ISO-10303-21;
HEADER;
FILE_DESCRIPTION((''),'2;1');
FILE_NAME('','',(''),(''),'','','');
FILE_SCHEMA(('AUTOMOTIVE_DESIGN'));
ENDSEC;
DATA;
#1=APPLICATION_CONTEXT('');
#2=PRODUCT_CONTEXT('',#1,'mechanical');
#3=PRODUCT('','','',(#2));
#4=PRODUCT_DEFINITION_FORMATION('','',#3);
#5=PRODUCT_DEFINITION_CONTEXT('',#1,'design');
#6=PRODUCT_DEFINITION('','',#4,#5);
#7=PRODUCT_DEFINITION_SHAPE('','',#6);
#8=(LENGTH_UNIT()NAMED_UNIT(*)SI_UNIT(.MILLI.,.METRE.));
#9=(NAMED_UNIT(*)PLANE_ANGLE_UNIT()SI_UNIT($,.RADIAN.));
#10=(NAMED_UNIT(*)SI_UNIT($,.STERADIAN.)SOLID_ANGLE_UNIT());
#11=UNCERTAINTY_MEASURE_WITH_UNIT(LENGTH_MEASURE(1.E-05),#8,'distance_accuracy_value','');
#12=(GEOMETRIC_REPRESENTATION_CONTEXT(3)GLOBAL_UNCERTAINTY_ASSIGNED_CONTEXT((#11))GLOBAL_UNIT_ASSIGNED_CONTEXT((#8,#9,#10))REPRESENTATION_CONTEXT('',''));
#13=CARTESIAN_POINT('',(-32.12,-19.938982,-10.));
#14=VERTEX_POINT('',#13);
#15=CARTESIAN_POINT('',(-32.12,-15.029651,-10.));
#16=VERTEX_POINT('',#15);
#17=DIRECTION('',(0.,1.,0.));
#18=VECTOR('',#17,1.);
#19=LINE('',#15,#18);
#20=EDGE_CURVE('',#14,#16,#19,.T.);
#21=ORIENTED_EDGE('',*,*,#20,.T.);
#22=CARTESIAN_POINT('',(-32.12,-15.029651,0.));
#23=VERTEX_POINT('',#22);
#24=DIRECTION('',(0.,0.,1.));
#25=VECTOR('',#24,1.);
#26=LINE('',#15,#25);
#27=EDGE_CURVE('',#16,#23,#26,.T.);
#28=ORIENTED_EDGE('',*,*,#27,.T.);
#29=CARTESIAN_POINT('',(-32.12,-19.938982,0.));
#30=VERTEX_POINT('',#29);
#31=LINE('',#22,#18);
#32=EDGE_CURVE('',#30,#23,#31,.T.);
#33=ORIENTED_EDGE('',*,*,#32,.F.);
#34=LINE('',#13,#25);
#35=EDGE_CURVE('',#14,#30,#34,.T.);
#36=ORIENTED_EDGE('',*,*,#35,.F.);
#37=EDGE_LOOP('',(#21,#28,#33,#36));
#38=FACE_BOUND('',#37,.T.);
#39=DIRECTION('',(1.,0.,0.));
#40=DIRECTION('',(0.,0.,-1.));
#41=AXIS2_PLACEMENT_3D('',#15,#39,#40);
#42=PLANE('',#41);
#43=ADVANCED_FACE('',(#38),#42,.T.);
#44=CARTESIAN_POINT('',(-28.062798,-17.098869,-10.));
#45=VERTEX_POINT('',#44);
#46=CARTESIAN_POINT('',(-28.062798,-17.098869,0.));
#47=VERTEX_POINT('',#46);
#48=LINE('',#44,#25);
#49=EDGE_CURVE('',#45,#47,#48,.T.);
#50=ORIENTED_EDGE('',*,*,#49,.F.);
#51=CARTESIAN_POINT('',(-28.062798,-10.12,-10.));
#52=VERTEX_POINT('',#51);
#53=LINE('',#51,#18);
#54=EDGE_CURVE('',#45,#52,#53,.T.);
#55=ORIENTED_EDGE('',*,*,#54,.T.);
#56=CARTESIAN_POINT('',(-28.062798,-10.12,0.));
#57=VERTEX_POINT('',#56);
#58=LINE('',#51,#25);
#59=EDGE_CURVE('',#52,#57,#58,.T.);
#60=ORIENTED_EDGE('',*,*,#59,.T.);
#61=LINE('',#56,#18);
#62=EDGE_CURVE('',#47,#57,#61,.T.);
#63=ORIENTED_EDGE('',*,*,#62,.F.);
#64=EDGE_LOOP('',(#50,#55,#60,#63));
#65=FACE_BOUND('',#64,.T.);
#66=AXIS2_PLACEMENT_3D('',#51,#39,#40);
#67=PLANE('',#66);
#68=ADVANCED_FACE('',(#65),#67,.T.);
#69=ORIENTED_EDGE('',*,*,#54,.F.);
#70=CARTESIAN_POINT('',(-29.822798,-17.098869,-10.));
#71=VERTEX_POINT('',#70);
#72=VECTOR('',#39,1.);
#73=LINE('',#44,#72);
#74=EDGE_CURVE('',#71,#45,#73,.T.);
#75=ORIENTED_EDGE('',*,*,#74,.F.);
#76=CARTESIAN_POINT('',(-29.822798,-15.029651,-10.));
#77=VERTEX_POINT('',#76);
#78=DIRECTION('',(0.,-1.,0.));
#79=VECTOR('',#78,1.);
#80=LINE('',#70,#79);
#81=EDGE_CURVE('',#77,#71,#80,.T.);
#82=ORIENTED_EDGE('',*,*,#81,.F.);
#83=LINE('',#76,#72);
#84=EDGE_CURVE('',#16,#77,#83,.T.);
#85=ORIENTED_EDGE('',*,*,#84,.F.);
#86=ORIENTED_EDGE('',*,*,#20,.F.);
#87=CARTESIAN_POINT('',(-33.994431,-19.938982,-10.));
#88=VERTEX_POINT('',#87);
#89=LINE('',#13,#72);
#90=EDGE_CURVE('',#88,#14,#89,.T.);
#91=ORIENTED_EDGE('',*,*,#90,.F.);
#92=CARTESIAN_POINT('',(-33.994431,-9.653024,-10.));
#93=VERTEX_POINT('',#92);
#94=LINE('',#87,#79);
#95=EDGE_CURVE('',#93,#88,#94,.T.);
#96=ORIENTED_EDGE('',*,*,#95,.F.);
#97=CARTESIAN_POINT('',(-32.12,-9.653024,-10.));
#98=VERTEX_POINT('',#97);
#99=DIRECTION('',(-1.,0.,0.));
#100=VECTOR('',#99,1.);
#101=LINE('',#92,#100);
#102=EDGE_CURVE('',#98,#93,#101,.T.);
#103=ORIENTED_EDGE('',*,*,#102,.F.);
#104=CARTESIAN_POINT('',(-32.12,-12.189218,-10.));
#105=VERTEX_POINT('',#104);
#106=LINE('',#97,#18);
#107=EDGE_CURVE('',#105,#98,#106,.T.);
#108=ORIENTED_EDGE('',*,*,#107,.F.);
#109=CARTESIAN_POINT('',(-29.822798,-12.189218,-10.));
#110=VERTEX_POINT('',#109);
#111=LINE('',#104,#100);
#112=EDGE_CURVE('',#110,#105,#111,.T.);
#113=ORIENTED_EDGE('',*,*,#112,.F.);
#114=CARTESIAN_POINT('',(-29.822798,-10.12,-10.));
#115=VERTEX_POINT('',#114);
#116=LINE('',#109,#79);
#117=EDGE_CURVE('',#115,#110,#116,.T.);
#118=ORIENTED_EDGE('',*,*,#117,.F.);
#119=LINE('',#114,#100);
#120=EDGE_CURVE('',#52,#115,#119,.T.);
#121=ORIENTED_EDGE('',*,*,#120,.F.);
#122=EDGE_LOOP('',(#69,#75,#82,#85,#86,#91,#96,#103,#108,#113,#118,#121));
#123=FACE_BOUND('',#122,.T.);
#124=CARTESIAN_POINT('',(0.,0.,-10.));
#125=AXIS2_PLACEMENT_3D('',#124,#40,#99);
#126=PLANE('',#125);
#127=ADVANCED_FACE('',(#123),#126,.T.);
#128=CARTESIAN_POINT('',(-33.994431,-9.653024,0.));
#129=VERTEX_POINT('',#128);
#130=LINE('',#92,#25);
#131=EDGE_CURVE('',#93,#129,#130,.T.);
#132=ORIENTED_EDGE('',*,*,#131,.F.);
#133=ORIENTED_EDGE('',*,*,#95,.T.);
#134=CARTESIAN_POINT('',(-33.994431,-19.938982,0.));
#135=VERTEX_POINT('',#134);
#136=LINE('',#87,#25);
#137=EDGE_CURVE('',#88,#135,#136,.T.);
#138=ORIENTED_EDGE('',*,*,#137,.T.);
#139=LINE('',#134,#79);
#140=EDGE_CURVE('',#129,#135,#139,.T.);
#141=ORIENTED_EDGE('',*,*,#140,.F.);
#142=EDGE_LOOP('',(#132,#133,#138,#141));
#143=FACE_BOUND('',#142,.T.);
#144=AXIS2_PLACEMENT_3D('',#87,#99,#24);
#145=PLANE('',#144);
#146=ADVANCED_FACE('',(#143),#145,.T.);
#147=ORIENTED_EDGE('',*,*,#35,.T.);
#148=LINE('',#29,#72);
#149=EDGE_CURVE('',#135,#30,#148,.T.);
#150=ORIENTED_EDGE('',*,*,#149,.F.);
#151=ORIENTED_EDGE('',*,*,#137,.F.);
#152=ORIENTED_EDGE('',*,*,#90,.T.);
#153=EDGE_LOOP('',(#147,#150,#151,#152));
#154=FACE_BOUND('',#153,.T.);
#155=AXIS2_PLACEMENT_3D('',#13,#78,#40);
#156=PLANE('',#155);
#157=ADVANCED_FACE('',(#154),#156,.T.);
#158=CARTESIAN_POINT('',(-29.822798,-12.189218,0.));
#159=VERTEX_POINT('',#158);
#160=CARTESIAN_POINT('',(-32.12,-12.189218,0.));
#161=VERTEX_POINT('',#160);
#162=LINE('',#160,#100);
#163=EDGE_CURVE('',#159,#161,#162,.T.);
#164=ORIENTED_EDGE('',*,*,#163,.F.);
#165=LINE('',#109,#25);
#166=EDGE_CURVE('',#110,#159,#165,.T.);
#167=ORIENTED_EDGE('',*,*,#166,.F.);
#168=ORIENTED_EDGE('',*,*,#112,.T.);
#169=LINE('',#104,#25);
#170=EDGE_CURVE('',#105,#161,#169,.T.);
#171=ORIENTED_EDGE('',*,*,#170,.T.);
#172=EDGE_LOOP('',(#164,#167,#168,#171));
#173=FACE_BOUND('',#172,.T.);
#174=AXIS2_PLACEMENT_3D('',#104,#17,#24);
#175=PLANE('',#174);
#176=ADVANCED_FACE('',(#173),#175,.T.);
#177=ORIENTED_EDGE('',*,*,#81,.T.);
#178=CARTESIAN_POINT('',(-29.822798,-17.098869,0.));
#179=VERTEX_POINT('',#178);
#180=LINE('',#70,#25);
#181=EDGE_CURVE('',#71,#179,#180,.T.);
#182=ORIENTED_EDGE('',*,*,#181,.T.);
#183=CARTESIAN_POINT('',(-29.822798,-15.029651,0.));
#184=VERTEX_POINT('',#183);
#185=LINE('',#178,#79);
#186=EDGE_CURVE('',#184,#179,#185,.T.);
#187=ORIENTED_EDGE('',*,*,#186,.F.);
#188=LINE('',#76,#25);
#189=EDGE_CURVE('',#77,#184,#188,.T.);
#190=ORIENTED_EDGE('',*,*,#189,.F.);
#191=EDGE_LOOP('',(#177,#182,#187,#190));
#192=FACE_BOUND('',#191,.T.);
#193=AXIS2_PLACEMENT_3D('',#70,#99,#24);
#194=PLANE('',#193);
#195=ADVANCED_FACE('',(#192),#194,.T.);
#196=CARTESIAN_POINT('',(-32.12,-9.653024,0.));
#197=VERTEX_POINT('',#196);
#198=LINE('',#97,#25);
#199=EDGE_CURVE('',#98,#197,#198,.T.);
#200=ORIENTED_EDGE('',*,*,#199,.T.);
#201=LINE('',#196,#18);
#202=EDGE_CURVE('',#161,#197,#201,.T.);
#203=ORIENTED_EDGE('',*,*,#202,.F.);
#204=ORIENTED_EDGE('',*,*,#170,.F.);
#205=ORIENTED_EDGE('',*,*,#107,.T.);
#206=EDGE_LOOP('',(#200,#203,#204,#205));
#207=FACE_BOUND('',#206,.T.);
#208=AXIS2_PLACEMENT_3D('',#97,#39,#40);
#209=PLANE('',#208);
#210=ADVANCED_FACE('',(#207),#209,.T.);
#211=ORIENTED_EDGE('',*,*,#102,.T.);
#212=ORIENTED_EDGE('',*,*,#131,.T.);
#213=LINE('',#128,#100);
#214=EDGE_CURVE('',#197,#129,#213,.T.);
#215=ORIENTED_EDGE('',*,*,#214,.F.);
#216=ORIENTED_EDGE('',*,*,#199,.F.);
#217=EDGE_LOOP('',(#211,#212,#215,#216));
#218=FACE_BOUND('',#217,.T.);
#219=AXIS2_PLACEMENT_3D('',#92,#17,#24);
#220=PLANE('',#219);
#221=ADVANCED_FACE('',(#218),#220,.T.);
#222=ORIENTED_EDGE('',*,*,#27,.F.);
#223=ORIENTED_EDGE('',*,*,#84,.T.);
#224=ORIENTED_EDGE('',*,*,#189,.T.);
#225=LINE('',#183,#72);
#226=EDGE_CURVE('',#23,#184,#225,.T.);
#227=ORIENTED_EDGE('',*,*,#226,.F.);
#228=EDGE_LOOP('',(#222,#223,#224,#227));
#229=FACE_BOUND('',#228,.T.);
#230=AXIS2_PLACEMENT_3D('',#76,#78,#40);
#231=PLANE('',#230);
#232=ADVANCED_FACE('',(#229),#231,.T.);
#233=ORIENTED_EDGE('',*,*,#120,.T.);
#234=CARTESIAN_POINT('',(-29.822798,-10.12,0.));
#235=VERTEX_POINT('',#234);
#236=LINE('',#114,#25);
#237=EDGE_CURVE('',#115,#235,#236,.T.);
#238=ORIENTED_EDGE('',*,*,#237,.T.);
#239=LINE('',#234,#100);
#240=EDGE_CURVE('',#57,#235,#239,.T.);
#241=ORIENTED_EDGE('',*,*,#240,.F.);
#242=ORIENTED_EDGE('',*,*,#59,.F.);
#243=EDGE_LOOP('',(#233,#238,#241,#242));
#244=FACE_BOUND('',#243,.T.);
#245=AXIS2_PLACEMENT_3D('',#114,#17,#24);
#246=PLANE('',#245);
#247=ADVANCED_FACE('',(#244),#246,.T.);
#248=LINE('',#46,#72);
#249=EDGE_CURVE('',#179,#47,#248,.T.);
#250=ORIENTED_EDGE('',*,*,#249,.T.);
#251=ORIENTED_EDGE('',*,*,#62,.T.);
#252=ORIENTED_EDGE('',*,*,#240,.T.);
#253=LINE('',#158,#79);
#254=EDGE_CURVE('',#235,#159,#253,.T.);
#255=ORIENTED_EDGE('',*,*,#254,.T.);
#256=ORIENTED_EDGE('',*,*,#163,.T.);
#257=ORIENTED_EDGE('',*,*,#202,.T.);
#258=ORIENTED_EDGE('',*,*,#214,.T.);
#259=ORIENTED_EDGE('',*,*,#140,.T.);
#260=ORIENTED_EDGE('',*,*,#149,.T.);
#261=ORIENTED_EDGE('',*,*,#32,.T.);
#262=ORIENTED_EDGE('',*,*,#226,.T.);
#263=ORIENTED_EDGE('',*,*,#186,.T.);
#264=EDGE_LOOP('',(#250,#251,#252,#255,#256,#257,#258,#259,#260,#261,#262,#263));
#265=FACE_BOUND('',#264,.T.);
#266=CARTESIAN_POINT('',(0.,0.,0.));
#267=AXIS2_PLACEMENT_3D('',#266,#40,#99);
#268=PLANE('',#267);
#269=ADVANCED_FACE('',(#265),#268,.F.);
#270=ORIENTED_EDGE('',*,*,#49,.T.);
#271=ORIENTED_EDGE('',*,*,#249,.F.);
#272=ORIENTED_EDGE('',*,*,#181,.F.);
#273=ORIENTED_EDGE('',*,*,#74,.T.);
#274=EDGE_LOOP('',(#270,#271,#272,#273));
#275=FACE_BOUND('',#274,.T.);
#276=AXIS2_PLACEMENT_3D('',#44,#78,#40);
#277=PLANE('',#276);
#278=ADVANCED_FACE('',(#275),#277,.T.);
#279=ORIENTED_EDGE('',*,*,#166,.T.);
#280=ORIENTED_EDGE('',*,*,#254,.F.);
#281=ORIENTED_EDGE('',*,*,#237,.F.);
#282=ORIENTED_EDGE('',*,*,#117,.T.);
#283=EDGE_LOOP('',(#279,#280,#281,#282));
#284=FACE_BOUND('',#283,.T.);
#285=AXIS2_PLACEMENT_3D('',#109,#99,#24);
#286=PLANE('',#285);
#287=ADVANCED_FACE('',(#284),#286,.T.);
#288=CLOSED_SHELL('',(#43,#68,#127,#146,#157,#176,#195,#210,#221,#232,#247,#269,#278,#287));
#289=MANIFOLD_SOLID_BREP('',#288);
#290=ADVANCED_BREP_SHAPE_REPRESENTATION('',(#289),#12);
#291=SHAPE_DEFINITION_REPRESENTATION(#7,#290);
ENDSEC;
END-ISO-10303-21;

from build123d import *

# Parameters (mm, degrees)
BOSS_EXTRUDE1_DEPTH = 10


with BuildPart() as part:
    # Sketch2 → Boss-Extrude1 (new body)
    with BuildSketch(Plane.XY):
        Polygon((-32.12, -9.653023841), (-32.12, -12.189217722), (-29.822797906, -12.189217722), (-29.822797906, -10.12), (-28.062797906, -10.12), (-28.062797906, -17.098869174), (-29.822797906, -17.098869174), (-29.822797906, -15.029651452), (-32.12, -15.029651452), (-32.12, -19.938982177), (-33.994430759, -19.938982177), (-33.994430759, -9.653023841), align=None)
    extrude(amount=-BOSS_EXTRUDE1_DEPTH)


solid = part.part
